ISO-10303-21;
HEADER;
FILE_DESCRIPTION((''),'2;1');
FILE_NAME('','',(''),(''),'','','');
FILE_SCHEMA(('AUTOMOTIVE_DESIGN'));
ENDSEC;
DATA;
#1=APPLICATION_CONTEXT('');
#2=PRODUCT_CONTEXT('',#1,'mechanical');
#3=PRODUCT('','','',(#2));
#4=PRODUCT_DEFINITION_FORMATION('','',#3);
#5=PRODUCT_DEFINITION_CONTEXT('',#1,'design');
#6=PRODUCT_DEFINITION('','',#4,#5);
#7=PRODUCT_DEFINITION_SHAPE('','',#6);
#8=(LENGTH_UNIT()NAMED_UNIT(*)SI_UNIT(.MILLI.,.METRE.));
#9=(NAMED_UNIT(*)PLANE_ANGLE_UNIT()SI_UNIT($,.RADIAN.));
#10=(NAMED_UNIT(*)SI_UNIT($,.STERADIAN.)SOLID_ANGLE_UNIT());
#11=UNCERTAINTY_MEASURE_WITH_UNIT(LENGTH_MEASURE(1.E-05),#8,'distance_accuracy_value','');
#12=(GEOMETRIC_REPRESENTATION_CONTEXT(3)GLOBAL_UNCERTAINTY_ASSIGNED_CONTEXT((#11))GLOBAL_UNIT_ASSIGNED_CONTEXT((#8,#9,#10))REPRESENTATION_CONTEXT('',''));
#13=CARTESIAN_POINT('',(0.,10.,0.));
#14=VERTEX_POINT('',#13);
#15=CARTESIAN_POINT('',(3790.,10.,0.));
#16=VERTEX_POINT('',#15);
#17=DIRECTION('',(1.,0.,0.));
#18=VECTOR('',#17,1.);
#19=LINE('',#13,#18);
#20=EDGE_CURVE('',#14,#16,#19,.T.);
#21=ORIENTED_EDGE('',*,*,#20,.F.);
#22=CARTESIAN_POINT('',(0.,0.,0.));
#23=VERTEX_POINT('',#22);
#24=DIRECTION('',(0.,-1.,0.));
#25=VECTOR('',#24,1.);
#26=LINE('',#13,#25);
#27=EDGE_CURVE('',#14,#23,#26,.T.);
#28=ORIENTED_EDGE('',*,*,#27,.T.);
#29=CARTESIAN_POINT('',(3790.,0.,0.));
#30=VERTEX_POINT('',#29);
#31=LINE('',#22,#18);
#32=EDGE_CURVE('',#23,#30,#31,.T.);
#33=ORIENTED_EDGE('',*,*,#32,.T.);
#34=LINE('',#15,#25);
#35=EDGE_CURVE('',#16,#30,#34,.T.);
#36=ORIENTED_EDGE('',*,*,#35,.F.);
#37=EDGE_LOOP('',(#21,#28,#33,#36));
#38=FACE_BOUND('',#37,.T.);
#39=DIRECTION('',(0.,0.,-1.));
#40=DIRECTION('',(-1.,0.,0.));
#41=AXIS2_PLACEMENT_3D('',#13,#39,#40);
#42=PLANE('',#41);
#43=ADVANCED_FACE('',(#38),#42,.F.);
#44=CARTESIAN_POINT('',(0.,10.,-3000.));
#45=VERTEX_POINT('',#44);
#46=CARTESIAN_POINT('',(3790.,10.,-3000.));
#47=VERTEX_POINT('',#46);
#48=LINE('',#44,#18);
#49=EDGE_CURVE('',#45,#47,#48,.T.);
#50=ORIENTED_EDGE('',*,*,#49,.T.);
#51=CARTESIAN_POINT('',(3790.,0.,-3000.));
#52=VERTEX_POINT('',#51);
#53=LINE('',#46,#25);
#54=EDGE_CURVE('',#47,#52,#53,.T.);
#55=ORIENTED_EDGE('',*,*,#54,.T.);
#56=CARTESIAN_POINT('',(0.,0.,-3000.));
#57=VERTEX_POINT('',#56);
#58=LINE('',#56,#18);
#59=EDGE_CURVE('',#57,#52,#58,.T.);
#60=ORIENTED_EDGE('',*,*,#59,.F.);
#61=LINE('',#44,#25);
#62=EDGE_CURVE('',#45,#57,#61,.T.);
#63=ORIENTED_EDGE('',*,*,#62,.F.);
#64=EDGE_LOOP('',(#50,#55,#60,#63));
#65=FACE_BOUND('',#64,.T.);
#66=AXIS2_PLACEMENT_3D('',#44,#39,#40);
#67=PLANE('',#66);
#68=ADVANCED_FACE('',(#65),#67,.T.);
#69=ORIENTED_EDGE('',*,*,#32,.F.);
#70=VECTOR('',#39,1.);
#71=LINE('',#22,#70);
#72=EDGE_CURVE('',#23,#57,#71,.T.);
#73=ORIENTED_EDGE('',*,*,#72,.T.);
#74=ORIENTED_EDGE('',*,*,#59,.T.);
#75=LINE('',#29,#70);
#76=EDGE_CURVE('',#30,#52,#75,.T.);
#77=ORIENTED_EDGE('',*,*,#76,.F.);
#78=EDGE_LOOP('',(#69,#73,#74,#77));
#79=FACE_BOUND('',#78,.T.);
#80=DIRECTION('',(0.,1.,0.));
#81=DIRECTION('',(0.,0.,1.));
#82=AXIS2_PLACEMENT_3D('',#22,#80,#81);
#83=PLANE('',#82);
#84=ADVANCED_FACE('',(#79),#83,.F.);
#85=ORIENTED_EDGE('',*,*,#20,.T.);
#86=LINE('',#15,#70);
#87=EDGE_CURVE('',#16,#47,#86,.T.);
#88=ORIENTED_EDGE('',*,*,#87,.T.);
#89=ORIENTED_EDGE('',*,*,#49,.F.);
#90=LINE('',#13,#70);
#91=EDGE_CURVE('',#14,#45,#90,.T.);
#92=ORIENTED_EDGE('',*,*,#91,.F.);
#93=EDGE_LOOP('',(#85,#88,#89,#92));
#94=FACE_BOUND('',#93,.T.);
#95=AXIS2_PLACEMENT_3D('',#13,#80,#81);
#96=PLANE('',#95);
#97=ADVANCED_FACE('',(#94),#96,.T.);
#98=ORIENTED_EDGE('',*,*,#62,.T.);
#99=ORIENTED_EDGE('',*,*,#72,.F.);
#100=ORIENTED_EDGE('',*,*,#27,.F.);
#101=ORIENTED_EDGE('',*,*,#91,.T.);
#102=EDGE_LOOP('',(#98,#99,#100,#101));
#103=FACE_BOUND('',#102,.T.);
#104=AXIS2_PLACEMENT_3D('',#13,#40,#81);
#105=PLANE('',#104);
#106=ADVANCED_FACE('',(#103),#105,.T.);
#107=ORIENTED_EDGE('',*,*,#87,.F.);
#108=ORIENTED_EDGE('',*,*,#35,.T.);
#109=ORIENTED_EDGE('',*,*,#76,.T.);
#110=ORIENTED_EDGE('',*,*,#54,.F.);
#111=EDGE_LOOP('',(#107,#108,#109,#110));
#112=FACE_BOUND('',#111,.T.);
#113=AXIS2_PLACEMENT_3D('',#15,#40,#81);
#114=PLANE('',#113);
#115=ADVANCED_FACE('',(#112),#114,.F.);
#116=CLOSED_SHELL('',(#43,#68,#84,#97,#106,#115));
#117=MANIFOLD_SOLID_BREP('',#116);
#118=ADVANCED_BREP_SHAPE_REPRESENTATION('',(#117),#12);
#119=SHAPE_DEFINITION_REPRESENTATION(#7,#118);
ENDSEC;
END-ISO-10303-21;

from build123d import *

# Parameters (mm, degrees)
SKETCH_1_W      = 293.708722149
SKETCH_1_H      = 478.372734029
SKETCH_1_W_2    = 400
SKETCH_1_H_2    = 400
SKETCH_1_W_3    = 293.70872215
SKETCH_1_W_4    = 200
EXTRUDE_1_DEPTH = 10


with BuildPart() as part:
    # 草图1 → 凸台-拉伸1 (new body)
    # profile 1 of 11: a face of its own
    with BuildSketch(Plane(origin=(0, 0, 0), x_dir=(1, 0, 0), z_dir=(0, 1, 0))):
        Polygon((0, 616.741078133), (0, 0), (250, 0), (250, 400), (450, 400), (650, 400), (650, 0), (3790, 0), (3790, 3000), (0, 3000), (0, 2295.113812162), (293.70872215, 2295.113812162), (293.70872215, 1816.741078133), (0, 1816.741078133), (0, 1695.113812162), (293.70872215, 1695.113812162), (293.70872215, 1216.741078133), (0, 1216.741078133), (0, 1095.113812162), (293.70872215, 1095.113812162), (293.70872215, 616.741078133), align=None)
        with Locations((545.140209415, 855.927445148)):
            Rectangle(SKETCH_1_W, SKETCH_1_H, mode=Mode.SUBTRACT)
        with Locations((545.140209415, 1455.927445148)):
            Rectangle(SKETCH_1_W, SKETCH_1_H, mode=Mode.SUBTRACT)
        with Locations((2468.227032278, 347.452363292)):
            Rectangle(SKETCH_1_W_2, SKETCH_1_H_2, mode=Mode.SUBTRACT)
        with Locations((2148.614401298, 1319.656146888)):
            Rectangle(SKETCH_1_W_2, SKETCH_1_H_2, mode=Mode.SUBTRACT)
        with Locations((545.140209415, 2055.927445148)):
            Rectangle(SKETCH_1_W, SKETCH_1_H, mode=Mode.SUBTRACT)
    # profile 2 of 11: a face of its own
    with BuildSketch(Plane(origin=(0, 0, 0), x_dir=(1, 0, 0), z_dir=(0, 1, 0))):
        with Locations((146.854361075, 2055.927445148)):
            Rectangle(SKETCH_1_W_3, SKETCH_1_H)
    # profile 3 of 11: a face of its own
    with BuildSketch(Plane(origin=(0, 0, 0), x_dir=(1, 0, 0), z_dir=(0, 1, 0))):
        with Locations((146.854361075, 1455.927445148)):
            Rectangle(SKETCH_1_W_3, SKETCH_1_H)
    # profile 4 of 11: a face of its own
    with BuildSketch(Plane(origin=(0, 0, 0), x_dir=(1, 0, 0), z_dir=(0, 1, 0))):
        with Locations((545.140209415, 2055.927445148)):
            Rectangle(SKETCH_1_W, SKETCH_1_H)
    # profile 5 of 11: a face of its own
    with BuildSketch(Plane(origin=(0, 0, 0), x_dir=(1, 0, 0), z_dir=(0, 1, 0))):
        with Locations((545.140209415, 1455.927445148)):
            Rectangle(SKETCH_1_W, SKETCH_1_H)
    # profile 6 of 11: a face of its own
    with BuildSketch(Plane(origin=(0, 0, 0), x_dir=(1, 0, 0), z_dir=(0, 1, 0))):
        with Locations((146.854361075, 855.927445148)):
            Rectangle(SKETCH_1_W_3, SKETCH_1_H)
    # profile 7 of 11: a face of its own
    with BuildSketch(Plane(origin=(0, 0, 0), x_dir=(1, 0, 0), z_dir=(0, 1, 0))):
        with Locations((545.140209415, 855.927445148)):
            Rectangle(SKETCH_1_W, SKETCH_1_H)
    # profile 8 of 11: a face of its own
    with BuildSketch(Plane(origin=(0, 0, 0), x_dir=(1, 0, 0), z_dir=(0, 1, 0))):
        with Locations((550, 200)):
            Rectangle(SKETCH_1_W_4, SKETCH_1_H_2)
    # profile 9 of 11: a face of its own
    with BuildSketch(Plane(origin=(0, 0, 0), x_dir=(1, 0, 0), z_dir=(0, 1, 0))):
        with Locations((350, 200)):
            Rectangle(SKETCH_1_W_4, SKETCH_1_H_2)
    # profile 10 of 11: a face of its own
    with BuildSketch(Plane(origin=(0, 0, 0), x_dir=(1, 0, 0), z_dir=(0, 1, 0))):
        with Locations((2148.614401298, 1319.656146888)):
            Rectangle(SKETCH_1_W_2, SKETCH_1_H_2)
    # profile 11 of 11: a face of its own
    with BuildSketch(Plane(origin=(0, 0, 0), x_dir=(1, 0, 0), z_dir=(0, 1, 0))):
        with Locations((2468.227032278, 347.452363292)):
            Rectangle(SKETCH_1_W_2, SKETCH_1_H_2)
    extrude(amount=EXTRUDE_1_DEPTH)


solid = part.part
